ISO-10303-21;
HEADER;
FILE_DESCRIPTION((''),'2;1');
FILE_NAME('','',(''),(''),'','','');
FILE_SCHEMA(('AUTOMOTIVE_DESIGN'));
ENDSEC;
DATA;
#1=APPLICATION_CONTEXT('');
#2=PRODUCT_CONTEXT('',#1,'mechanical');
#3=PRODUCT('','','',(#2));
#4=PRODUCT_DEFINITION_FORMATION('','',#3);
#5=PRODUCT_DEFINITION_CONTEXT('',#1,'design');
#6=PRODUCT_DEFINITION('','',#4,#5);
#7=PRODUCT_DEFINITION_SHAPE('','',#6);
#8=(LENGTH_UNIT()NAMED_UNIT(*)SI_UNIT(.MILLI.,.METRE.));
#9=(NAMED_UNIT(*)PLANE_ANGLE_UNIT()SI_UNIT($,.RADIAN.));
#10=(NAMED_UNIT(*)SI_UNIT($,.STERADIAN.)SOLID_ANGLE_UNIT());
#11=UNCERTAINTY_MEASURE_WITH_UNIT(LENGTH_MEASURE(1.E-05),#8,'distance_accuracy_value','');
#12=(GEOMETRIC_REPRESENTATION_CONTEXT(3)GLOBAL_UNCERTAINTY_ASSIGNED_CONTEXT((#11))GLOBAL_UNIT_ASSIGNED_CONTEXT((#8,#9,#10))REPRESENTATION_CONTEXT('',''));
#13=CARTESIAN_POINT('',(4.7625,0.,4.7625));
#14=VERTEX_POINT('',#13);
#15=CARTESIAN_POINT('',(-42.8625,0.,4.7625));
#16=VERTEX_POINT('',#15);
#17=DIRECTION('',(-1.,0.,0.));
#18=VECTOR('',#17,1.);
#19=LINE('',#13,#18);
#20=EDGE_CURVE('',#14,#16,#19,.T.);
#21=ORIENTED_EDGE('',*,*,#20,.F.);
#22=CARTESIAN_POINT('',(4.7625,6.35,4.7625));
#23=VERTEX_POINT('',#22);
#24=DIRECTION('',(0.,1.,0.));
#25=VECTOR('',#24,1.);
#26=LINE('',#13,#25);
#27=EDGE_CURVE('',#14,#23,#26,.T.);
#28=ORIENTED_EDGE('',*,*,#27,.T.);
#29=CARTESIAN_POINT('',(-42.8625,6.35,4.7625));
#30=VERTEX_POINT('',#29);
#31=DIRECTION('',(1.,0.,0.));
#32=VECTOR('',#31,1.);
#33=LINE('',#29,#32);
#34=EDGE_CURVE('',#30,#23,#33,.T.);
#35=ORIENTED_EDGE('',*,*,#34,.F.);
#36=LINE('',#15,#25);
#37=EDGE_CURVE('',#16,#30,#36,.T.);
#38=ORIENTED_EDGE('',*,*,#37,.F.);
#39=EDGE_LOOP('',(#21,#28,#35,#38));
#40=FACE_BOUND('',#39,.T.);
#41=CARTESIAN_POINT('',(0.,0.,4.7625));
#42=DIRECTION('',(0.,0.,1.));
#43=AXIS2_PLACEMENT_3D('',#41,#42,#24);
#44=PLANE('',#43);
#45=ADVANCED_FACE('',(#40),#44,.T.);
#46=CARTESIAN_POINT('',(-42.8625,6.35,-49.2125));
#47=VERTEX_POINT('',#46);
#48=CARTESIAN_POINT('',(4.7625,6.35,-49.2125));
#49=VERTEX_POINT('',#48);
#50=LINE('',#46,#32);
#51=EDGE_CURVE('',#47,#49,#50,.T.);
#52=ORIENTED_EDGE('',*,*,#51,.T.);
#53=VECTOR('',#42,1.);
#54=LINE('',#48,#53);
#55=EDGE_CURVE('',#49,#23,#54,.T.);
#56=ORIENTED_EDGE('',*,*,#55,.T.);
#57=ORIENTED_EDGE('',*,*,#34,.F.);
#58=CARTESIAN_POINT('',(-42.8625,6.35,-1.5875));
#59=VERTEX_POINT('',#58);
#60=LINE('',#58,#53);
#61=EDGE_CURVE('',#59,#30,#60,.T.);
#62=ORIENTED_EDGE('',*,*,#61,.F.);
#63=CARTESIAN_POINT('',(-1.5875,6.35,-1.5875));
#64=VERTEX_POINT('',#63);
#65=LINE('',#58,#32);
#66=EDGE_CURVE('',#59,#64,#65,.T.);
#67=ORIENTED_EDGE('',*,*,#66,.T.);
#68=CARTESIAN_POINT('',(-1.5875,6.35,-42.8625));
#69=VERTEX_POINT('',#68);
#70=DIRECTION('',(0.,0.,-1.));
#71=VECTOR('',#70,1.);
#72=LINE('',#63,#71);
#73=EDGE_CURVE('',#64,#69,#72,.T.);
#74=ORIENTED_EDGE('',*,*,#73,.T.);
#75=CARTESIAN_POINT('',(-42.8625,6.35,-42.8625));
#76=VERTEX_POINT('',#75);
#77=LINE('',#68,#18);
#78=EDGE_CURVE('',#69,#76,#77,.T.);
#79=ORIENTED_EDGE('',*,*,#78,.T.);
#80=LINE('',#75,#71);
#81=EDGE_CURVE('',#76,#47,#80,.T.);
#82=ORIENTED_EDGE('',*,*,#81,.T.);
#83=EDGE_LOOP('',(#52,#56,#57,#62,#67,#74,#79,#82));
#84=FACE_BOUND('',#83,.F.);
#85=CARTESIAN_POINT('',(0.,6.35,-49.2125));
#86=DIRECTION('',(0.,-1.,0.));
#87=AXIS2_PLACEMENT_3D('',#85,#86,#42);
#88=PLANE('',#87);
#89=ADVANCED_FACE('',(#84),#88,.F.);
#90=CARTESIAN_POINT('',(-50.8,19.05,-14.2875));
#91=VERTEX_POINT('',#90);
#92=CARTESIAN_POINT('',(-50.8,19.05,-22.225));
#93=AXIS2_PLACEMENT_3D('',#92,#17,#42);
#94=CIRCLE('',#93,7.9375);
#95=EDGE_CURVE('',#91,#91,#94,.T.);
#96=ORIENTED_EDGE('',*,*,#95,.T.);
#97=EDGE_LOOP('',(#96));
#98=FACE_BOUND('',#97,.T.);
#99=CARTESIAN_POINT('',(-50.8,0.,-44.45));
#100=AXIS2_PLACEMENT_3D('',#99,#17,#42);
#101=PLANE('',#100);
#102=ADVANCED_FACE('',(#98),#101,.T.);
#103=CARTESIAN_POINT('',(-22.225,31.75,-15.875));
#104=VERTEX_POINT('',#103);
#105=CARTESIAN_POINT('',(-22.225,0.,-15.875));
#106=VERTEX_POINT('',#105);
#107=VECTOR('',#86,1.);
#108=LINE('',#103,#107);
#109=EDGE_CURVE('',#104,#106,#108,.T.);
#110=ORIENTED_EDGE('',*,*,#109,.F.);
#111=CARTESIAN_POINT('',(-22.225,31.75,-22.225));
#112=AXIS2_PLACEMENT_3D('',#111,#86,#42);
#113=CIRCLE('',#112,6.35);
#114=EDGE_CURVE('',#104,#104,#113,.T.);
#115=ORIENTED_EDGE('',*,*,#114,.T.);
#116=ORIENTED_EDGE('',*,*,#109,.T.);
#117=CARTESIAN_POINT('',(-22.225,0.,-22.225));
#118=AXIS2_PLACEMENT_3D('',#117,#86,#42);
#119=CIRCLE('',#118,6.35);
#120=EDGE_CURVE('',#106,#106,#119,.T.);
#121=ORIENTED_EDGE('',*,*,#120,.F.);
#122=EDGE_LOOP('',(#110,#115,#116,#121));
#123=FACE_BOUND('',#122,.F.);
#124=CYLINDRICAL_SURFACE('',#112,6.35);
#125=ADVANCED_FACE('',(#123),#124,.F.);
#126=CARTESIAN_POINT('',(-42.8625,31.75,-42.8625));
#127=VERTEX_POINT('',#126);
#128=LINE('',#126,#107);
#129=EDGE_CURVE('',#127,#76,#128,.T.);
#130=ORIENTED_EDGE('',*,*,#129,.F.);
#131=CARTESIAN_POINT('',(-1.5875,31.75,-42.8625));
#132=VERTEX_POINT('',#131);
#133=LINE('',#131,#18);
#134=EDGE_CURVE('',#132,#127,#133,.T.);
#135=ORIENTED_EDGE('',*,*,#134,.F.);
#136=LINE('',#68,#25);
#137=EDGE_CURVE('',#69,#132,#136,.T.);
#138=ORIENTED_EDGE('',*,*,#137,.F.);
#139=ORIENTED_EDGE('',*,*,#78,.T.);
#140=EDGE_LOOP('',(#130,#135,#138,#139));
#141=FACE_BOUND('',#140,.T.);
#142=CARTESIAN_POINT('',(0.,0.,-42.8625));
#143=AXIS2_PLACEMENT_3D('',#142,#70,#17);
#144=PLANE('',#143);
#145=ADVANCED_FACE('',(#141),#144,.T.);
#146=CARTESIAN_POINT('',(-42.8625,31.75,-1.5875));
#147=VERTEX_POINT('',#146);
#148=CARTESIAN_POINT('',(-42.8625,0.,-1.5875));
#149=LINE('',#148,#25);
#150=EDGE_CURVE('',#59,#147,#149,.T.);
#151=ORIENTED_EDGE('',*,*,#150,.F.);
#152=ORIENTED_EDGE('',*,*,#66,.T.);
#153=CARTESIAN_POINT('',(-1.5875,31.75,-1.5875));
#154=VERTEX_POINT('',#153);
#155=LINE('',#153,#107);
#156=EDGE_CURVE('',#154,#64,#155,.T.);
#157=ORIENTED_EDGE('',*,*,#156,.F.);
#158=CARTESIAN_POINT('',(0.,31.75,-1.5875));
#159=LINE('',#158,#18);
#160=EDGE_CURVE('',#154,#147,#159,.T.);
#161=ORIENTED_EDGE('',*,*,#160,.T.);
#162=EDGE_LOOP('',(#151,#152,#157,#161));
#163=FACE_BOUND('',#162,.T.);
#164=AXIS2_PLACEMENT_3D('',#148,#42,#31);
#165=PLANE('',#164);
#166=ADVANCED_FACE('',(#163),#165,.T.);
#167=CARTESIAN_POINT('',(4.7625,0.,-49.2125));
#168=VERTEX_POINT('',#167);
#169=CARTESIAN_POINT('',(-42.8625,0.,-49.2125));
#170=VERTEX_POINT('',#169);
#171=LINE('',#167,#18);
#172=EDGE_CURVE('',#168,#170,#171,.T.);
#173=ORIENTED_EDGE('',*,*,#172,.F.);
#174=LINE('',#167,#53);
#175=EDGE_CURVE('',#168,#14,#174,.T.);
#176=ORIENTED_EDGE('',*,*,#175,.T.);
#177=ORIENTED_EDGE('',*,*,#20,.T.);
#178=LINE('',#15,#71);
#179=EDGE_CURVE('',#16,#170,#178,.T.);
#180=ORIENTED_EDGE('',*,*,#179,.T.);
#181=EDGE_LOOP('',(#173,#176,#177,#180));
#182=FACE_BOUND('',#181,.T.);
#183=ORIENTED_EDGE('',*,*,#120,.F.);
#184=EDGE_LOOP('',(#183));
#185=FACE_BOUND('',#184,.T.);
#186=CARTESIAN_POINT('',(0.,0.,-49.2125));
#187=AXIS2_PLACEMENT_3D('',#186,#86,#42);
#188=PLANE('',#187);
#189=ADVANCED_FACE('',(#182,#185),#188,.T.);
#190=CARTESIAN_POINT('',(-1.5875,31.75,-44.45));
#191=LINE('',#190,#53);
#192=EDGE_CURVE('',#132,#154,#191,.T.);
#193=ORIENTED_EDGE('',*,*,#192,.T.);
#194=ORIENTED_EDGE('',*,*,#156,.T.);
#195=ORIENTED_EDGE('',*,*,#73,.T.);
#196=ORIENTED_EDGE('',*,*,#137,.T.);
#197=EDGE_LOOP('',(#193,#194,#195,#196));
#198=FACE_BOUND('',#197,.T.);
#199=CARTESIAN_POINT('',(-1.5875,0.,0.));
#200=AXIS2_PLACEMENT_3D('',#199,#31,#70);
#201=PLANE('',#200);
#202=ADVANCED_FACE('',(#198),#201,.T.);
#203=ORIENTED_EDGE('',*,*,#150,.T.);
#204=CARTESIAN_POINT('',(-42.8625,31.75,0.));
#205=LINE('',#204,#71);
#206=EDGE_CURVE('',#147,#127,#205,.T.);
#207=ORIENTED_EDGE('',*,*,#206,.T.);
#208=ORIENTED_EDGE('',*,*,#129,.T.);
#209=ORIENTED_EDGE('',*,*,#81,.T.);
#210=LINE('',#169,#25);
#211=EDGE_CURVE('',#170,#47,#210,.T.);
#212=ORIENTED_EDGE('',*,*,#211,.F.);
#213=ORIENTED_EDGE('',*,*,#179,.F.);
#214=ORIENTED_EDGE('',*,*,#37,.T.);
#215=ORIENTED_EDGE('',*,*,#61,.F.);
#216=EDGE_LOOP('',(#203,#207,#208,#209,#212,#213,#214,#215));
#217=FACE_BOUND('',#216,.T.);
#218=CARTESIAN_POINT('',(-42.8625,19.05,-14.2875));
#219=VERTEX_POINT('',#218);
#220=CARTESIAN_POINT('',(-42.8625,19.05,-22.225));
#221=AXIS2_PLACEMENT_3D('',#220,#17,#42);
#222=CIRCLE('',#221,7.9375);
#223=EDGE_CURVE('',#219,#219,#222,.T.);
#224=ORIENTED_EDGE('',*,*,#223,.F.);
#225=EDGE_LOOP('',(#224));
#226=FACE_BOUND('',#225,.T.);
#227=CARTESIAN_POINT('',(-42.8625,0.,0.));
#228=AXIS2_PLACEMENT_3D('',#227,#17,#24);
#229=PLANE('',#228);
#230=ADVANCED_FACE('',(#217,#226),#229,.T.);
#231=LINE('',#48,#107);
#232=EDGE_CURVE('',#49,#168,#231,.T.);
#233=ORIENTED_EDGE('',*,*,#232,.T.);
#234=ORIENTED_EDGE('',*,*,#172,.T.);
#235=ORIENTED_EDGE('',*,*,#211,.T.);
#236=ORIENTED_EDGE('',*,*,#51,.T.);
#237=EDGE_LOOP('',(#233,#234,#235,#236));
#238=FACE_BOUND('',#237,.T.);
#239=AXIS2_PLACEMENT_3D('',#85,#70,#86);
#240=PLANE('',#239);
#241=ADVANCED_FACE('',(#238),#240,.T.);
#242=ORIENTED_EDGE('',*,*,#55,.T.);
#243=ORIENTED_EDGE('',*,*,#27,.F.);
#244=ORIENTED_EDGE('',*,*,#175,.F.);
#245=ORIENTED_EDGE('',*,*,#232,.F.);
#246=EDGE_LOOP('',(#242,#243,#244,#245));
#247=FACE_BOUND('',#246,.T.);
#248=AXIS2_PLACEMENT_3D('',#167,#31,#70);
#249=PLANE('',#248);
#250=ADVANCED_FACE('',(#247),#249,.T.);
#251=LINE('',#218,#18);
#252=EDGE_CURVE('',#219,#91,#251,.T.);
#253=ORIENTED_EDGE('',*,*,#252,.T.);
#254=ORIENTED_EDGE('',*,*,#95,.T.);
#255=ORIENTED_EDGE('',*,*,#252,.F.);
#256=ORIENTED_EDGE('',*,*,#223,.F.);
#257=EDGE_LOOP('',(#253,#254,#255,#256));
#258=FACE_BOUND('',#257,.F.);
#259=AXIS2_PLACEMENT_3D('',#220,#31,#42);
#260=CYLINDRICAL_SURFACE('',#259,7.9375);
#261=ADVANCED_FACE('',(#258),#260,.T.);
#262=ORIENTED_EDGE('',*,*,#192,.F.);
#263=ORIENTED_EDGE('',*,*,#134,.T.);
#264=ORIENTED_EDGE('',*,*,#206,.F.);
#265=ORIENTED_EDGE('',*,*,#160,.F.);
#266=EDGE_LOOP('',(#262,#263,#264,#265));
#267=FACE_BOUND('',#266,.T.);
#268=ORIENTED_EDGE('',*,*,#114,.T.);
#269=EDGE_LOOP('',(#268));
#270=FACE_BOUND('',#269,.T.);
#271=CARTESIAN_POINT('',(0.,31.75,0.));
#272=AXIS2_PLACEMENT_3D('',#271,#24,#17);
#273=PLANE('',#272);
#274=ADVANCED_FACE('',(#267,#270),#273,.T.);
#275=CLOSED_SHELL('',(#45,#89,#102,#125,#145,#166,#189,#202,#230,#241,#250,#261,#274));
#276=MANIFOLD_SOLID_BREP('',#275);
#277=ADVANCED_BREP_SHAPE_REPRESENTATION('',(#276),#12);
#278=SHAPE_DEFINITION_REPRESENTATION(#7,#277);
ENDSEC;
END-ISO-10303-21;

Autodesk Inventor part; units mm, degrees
ref_plane "YZ Plane" through (0, 0, 0) normal (1, 0, 0) x (0, 1, 0)
ref_plane "XZ Plane" through (0, 0, 0) normal (0, 1, 0) x (-1, 0, 0)
ref_plane "XY Plane" through (0, 0, 0) normal (0, 0, 1) x (1, 0, 0)
sketch "Sketch1" plane through (0, 0, 0) normal (0, 1, 0) x (-1, 0, 0)
  line L0 (0, 0) -> (42.8625, 0)
  line L1 (42.8625, 0) -> (42.8625, -44.45)
  line L2 (42.8625, -44.45) -> (0, -44.45)
  line L3 (0, -44.45) -> (0, 0)
  dimension "d0" = 44.45
  dimension "d1" = 42.8625
extrude "Extrusion1" add sketch "Sketch1" along normal blind 31.75
sketch "Sketch2" plane through (-42.8625, 0, 0) normal (0, 0, 1) x (1, 0, 0)
  line L0 (0, 0) -> (0, 31.75) projected
  line L1 (42.8625, 0) -> (42.8625, 31.75) projected
  line L2 (42.8625, 0) -> (0, 0) projected
  line L3 (0, 6.35) -> (42.8625, 6.35)
  line L4 (42.8625, 6.35) -> (42.8625, 31.75)
  line L5 (42.8625, 31.75) -> (0, 31.75)
  line L6 (0, 31.75) -> (0, 6.35)
  dimension "d5" = 6.35
extrude "Extrusion2" cut sketch "Sketch2" against normal blind 1.5875 contours L0 L5 L1 L3
sketch "Sketch3" plane through (0, 0, 0) normal (1, 0, 0) x (0, 0, -1)
  line L0 (1.5875, 31.75) -> (1.5875, 6.35) projected
  line L1 (44.45, 0) -> (44.45, 31.75) projected
  line L2 (1.5875, 6.35) -> (44.45, 6.35)
  line L3 (44.45, 6.35) -> (44.45, 31.75)
  line L4 (44.45, 31.75) -> (1.5875, 31.75)
  line L5 (1.5875, 31.75) -> (1.5875, 6.35)
  point P0 (0, 0)
extrude "Extrusion3" cut sketch "Sketch3" against normal blind 1.5875
sketch "Sketch9" plane through (0, 31.75, 0) normal (0, 1, 0) x (1, 0, 0)
  line L0 (0, 44.45) -> (0, 0) projected
  line L1 (-1.5875, 44.45) -> (0, 44.45) projected
  point P0 (-22.225, 22.225)
  point P1 (-42.8625, 44.45)
  dimension "d23" = 22.225
  dimension "d24" = 22.225
hole "Hole1" at (-22.225, 31.75, -22.225) direction (0, -1, 0) diameter 12.7 end through all
sketch "Sketch19" plane through (0, 0, -44.45) normal (0, 0, -1) x (-1, 0, 0)
  line L0 (1.5875, 31.75) -> (42.8625, 31.75) projected
  line L1 (1.5875, 6.35) -> (42.8625, 6.35) projected
  line L2 (1.5875, 31.75) -> (42.8625, 31.75)
  line L3 (42.8625, 31.75) -> (42.8625, 6.35)
  line L4 (42.8625, 6.35) -> (1.5875, 6.35)
  line L5 (1.5875, 6.35) -> (1.5875, 31.75)
  point P0 (0, 0)
extrude "Extrusion14" cut sketch "Sketch19" against normal blind 1.5875
sketch "Sketch20" plane through (-42.8625, 0, -44.45) normal (-1, 0, 0) x (0, 0, 1)
  circle A0 centre (22.225, 19.05) radius 7.9375
  line L0 (44.45, 0) -> (0, 0) projected
  line L1 (44.45, 0) -> (44.45, 6.35) projected
  dimension "d59" = 15.875
  dimension "d60" = 19.05
  dimension "d61" = 22.225
extrude "Extrusion15" add sketch "Sketch20" along normal blind 7.9375
sketch "Sketch21" plane through (0, 0, -44.45) normal (0, 0, -1) x (-1, 0, 0)
  line L0 (42.8625, 6.35) -> (0, 6.35) projected
  line L1 (0, 0) -> (0, 6.35) projected
  line L2 (42.8625, 0) -> (0, 0) projected
  line L3 (42.8625, 0) -> (42.8625, 6.35) projected
  point P0 (0, 0)
extrude "Extrusion16" add sketch "Sketch21" along normal blind 4.7625
sketch "Sketch22" plane through (-42.8625, 0, 0) normal (0, 0, 1) x (1, 0, 0)
  line L0 (42.8625, 6.35) -> (0, 6.35) projected
  line L1 (0, 0) -> (0, 6.35) projected
  line L2 (42.8625, 0) -> (0, 0) projected
  line L3 (42.8625, 0) -> (42.8625, 6.35) projected
extrude "Extrusion17" add sketch "Sketch22" along normal blind 4.7625
sketch "Sketch23" plane through (0, 0, -49.2125) normal (1, 0, 0) x (0, 0, -1)
  line L0 (0, 6.35) -> (-53.975, 6.35) projected
  line L1 (-53.975, 0) -> (-53.975, 6.35) projected
  line L2 (0, 0) -> (-53.975, 0) projected
  line L3 (0, 6.35) -> (0, 0) projected
  point P0 (-49.2125, 0)
extrude "Extrusion18" add sketch "Sketch23" along normal blind 4.7625
equation "\"d24\" = d23"
properties part number "WackyPlug1.75"
